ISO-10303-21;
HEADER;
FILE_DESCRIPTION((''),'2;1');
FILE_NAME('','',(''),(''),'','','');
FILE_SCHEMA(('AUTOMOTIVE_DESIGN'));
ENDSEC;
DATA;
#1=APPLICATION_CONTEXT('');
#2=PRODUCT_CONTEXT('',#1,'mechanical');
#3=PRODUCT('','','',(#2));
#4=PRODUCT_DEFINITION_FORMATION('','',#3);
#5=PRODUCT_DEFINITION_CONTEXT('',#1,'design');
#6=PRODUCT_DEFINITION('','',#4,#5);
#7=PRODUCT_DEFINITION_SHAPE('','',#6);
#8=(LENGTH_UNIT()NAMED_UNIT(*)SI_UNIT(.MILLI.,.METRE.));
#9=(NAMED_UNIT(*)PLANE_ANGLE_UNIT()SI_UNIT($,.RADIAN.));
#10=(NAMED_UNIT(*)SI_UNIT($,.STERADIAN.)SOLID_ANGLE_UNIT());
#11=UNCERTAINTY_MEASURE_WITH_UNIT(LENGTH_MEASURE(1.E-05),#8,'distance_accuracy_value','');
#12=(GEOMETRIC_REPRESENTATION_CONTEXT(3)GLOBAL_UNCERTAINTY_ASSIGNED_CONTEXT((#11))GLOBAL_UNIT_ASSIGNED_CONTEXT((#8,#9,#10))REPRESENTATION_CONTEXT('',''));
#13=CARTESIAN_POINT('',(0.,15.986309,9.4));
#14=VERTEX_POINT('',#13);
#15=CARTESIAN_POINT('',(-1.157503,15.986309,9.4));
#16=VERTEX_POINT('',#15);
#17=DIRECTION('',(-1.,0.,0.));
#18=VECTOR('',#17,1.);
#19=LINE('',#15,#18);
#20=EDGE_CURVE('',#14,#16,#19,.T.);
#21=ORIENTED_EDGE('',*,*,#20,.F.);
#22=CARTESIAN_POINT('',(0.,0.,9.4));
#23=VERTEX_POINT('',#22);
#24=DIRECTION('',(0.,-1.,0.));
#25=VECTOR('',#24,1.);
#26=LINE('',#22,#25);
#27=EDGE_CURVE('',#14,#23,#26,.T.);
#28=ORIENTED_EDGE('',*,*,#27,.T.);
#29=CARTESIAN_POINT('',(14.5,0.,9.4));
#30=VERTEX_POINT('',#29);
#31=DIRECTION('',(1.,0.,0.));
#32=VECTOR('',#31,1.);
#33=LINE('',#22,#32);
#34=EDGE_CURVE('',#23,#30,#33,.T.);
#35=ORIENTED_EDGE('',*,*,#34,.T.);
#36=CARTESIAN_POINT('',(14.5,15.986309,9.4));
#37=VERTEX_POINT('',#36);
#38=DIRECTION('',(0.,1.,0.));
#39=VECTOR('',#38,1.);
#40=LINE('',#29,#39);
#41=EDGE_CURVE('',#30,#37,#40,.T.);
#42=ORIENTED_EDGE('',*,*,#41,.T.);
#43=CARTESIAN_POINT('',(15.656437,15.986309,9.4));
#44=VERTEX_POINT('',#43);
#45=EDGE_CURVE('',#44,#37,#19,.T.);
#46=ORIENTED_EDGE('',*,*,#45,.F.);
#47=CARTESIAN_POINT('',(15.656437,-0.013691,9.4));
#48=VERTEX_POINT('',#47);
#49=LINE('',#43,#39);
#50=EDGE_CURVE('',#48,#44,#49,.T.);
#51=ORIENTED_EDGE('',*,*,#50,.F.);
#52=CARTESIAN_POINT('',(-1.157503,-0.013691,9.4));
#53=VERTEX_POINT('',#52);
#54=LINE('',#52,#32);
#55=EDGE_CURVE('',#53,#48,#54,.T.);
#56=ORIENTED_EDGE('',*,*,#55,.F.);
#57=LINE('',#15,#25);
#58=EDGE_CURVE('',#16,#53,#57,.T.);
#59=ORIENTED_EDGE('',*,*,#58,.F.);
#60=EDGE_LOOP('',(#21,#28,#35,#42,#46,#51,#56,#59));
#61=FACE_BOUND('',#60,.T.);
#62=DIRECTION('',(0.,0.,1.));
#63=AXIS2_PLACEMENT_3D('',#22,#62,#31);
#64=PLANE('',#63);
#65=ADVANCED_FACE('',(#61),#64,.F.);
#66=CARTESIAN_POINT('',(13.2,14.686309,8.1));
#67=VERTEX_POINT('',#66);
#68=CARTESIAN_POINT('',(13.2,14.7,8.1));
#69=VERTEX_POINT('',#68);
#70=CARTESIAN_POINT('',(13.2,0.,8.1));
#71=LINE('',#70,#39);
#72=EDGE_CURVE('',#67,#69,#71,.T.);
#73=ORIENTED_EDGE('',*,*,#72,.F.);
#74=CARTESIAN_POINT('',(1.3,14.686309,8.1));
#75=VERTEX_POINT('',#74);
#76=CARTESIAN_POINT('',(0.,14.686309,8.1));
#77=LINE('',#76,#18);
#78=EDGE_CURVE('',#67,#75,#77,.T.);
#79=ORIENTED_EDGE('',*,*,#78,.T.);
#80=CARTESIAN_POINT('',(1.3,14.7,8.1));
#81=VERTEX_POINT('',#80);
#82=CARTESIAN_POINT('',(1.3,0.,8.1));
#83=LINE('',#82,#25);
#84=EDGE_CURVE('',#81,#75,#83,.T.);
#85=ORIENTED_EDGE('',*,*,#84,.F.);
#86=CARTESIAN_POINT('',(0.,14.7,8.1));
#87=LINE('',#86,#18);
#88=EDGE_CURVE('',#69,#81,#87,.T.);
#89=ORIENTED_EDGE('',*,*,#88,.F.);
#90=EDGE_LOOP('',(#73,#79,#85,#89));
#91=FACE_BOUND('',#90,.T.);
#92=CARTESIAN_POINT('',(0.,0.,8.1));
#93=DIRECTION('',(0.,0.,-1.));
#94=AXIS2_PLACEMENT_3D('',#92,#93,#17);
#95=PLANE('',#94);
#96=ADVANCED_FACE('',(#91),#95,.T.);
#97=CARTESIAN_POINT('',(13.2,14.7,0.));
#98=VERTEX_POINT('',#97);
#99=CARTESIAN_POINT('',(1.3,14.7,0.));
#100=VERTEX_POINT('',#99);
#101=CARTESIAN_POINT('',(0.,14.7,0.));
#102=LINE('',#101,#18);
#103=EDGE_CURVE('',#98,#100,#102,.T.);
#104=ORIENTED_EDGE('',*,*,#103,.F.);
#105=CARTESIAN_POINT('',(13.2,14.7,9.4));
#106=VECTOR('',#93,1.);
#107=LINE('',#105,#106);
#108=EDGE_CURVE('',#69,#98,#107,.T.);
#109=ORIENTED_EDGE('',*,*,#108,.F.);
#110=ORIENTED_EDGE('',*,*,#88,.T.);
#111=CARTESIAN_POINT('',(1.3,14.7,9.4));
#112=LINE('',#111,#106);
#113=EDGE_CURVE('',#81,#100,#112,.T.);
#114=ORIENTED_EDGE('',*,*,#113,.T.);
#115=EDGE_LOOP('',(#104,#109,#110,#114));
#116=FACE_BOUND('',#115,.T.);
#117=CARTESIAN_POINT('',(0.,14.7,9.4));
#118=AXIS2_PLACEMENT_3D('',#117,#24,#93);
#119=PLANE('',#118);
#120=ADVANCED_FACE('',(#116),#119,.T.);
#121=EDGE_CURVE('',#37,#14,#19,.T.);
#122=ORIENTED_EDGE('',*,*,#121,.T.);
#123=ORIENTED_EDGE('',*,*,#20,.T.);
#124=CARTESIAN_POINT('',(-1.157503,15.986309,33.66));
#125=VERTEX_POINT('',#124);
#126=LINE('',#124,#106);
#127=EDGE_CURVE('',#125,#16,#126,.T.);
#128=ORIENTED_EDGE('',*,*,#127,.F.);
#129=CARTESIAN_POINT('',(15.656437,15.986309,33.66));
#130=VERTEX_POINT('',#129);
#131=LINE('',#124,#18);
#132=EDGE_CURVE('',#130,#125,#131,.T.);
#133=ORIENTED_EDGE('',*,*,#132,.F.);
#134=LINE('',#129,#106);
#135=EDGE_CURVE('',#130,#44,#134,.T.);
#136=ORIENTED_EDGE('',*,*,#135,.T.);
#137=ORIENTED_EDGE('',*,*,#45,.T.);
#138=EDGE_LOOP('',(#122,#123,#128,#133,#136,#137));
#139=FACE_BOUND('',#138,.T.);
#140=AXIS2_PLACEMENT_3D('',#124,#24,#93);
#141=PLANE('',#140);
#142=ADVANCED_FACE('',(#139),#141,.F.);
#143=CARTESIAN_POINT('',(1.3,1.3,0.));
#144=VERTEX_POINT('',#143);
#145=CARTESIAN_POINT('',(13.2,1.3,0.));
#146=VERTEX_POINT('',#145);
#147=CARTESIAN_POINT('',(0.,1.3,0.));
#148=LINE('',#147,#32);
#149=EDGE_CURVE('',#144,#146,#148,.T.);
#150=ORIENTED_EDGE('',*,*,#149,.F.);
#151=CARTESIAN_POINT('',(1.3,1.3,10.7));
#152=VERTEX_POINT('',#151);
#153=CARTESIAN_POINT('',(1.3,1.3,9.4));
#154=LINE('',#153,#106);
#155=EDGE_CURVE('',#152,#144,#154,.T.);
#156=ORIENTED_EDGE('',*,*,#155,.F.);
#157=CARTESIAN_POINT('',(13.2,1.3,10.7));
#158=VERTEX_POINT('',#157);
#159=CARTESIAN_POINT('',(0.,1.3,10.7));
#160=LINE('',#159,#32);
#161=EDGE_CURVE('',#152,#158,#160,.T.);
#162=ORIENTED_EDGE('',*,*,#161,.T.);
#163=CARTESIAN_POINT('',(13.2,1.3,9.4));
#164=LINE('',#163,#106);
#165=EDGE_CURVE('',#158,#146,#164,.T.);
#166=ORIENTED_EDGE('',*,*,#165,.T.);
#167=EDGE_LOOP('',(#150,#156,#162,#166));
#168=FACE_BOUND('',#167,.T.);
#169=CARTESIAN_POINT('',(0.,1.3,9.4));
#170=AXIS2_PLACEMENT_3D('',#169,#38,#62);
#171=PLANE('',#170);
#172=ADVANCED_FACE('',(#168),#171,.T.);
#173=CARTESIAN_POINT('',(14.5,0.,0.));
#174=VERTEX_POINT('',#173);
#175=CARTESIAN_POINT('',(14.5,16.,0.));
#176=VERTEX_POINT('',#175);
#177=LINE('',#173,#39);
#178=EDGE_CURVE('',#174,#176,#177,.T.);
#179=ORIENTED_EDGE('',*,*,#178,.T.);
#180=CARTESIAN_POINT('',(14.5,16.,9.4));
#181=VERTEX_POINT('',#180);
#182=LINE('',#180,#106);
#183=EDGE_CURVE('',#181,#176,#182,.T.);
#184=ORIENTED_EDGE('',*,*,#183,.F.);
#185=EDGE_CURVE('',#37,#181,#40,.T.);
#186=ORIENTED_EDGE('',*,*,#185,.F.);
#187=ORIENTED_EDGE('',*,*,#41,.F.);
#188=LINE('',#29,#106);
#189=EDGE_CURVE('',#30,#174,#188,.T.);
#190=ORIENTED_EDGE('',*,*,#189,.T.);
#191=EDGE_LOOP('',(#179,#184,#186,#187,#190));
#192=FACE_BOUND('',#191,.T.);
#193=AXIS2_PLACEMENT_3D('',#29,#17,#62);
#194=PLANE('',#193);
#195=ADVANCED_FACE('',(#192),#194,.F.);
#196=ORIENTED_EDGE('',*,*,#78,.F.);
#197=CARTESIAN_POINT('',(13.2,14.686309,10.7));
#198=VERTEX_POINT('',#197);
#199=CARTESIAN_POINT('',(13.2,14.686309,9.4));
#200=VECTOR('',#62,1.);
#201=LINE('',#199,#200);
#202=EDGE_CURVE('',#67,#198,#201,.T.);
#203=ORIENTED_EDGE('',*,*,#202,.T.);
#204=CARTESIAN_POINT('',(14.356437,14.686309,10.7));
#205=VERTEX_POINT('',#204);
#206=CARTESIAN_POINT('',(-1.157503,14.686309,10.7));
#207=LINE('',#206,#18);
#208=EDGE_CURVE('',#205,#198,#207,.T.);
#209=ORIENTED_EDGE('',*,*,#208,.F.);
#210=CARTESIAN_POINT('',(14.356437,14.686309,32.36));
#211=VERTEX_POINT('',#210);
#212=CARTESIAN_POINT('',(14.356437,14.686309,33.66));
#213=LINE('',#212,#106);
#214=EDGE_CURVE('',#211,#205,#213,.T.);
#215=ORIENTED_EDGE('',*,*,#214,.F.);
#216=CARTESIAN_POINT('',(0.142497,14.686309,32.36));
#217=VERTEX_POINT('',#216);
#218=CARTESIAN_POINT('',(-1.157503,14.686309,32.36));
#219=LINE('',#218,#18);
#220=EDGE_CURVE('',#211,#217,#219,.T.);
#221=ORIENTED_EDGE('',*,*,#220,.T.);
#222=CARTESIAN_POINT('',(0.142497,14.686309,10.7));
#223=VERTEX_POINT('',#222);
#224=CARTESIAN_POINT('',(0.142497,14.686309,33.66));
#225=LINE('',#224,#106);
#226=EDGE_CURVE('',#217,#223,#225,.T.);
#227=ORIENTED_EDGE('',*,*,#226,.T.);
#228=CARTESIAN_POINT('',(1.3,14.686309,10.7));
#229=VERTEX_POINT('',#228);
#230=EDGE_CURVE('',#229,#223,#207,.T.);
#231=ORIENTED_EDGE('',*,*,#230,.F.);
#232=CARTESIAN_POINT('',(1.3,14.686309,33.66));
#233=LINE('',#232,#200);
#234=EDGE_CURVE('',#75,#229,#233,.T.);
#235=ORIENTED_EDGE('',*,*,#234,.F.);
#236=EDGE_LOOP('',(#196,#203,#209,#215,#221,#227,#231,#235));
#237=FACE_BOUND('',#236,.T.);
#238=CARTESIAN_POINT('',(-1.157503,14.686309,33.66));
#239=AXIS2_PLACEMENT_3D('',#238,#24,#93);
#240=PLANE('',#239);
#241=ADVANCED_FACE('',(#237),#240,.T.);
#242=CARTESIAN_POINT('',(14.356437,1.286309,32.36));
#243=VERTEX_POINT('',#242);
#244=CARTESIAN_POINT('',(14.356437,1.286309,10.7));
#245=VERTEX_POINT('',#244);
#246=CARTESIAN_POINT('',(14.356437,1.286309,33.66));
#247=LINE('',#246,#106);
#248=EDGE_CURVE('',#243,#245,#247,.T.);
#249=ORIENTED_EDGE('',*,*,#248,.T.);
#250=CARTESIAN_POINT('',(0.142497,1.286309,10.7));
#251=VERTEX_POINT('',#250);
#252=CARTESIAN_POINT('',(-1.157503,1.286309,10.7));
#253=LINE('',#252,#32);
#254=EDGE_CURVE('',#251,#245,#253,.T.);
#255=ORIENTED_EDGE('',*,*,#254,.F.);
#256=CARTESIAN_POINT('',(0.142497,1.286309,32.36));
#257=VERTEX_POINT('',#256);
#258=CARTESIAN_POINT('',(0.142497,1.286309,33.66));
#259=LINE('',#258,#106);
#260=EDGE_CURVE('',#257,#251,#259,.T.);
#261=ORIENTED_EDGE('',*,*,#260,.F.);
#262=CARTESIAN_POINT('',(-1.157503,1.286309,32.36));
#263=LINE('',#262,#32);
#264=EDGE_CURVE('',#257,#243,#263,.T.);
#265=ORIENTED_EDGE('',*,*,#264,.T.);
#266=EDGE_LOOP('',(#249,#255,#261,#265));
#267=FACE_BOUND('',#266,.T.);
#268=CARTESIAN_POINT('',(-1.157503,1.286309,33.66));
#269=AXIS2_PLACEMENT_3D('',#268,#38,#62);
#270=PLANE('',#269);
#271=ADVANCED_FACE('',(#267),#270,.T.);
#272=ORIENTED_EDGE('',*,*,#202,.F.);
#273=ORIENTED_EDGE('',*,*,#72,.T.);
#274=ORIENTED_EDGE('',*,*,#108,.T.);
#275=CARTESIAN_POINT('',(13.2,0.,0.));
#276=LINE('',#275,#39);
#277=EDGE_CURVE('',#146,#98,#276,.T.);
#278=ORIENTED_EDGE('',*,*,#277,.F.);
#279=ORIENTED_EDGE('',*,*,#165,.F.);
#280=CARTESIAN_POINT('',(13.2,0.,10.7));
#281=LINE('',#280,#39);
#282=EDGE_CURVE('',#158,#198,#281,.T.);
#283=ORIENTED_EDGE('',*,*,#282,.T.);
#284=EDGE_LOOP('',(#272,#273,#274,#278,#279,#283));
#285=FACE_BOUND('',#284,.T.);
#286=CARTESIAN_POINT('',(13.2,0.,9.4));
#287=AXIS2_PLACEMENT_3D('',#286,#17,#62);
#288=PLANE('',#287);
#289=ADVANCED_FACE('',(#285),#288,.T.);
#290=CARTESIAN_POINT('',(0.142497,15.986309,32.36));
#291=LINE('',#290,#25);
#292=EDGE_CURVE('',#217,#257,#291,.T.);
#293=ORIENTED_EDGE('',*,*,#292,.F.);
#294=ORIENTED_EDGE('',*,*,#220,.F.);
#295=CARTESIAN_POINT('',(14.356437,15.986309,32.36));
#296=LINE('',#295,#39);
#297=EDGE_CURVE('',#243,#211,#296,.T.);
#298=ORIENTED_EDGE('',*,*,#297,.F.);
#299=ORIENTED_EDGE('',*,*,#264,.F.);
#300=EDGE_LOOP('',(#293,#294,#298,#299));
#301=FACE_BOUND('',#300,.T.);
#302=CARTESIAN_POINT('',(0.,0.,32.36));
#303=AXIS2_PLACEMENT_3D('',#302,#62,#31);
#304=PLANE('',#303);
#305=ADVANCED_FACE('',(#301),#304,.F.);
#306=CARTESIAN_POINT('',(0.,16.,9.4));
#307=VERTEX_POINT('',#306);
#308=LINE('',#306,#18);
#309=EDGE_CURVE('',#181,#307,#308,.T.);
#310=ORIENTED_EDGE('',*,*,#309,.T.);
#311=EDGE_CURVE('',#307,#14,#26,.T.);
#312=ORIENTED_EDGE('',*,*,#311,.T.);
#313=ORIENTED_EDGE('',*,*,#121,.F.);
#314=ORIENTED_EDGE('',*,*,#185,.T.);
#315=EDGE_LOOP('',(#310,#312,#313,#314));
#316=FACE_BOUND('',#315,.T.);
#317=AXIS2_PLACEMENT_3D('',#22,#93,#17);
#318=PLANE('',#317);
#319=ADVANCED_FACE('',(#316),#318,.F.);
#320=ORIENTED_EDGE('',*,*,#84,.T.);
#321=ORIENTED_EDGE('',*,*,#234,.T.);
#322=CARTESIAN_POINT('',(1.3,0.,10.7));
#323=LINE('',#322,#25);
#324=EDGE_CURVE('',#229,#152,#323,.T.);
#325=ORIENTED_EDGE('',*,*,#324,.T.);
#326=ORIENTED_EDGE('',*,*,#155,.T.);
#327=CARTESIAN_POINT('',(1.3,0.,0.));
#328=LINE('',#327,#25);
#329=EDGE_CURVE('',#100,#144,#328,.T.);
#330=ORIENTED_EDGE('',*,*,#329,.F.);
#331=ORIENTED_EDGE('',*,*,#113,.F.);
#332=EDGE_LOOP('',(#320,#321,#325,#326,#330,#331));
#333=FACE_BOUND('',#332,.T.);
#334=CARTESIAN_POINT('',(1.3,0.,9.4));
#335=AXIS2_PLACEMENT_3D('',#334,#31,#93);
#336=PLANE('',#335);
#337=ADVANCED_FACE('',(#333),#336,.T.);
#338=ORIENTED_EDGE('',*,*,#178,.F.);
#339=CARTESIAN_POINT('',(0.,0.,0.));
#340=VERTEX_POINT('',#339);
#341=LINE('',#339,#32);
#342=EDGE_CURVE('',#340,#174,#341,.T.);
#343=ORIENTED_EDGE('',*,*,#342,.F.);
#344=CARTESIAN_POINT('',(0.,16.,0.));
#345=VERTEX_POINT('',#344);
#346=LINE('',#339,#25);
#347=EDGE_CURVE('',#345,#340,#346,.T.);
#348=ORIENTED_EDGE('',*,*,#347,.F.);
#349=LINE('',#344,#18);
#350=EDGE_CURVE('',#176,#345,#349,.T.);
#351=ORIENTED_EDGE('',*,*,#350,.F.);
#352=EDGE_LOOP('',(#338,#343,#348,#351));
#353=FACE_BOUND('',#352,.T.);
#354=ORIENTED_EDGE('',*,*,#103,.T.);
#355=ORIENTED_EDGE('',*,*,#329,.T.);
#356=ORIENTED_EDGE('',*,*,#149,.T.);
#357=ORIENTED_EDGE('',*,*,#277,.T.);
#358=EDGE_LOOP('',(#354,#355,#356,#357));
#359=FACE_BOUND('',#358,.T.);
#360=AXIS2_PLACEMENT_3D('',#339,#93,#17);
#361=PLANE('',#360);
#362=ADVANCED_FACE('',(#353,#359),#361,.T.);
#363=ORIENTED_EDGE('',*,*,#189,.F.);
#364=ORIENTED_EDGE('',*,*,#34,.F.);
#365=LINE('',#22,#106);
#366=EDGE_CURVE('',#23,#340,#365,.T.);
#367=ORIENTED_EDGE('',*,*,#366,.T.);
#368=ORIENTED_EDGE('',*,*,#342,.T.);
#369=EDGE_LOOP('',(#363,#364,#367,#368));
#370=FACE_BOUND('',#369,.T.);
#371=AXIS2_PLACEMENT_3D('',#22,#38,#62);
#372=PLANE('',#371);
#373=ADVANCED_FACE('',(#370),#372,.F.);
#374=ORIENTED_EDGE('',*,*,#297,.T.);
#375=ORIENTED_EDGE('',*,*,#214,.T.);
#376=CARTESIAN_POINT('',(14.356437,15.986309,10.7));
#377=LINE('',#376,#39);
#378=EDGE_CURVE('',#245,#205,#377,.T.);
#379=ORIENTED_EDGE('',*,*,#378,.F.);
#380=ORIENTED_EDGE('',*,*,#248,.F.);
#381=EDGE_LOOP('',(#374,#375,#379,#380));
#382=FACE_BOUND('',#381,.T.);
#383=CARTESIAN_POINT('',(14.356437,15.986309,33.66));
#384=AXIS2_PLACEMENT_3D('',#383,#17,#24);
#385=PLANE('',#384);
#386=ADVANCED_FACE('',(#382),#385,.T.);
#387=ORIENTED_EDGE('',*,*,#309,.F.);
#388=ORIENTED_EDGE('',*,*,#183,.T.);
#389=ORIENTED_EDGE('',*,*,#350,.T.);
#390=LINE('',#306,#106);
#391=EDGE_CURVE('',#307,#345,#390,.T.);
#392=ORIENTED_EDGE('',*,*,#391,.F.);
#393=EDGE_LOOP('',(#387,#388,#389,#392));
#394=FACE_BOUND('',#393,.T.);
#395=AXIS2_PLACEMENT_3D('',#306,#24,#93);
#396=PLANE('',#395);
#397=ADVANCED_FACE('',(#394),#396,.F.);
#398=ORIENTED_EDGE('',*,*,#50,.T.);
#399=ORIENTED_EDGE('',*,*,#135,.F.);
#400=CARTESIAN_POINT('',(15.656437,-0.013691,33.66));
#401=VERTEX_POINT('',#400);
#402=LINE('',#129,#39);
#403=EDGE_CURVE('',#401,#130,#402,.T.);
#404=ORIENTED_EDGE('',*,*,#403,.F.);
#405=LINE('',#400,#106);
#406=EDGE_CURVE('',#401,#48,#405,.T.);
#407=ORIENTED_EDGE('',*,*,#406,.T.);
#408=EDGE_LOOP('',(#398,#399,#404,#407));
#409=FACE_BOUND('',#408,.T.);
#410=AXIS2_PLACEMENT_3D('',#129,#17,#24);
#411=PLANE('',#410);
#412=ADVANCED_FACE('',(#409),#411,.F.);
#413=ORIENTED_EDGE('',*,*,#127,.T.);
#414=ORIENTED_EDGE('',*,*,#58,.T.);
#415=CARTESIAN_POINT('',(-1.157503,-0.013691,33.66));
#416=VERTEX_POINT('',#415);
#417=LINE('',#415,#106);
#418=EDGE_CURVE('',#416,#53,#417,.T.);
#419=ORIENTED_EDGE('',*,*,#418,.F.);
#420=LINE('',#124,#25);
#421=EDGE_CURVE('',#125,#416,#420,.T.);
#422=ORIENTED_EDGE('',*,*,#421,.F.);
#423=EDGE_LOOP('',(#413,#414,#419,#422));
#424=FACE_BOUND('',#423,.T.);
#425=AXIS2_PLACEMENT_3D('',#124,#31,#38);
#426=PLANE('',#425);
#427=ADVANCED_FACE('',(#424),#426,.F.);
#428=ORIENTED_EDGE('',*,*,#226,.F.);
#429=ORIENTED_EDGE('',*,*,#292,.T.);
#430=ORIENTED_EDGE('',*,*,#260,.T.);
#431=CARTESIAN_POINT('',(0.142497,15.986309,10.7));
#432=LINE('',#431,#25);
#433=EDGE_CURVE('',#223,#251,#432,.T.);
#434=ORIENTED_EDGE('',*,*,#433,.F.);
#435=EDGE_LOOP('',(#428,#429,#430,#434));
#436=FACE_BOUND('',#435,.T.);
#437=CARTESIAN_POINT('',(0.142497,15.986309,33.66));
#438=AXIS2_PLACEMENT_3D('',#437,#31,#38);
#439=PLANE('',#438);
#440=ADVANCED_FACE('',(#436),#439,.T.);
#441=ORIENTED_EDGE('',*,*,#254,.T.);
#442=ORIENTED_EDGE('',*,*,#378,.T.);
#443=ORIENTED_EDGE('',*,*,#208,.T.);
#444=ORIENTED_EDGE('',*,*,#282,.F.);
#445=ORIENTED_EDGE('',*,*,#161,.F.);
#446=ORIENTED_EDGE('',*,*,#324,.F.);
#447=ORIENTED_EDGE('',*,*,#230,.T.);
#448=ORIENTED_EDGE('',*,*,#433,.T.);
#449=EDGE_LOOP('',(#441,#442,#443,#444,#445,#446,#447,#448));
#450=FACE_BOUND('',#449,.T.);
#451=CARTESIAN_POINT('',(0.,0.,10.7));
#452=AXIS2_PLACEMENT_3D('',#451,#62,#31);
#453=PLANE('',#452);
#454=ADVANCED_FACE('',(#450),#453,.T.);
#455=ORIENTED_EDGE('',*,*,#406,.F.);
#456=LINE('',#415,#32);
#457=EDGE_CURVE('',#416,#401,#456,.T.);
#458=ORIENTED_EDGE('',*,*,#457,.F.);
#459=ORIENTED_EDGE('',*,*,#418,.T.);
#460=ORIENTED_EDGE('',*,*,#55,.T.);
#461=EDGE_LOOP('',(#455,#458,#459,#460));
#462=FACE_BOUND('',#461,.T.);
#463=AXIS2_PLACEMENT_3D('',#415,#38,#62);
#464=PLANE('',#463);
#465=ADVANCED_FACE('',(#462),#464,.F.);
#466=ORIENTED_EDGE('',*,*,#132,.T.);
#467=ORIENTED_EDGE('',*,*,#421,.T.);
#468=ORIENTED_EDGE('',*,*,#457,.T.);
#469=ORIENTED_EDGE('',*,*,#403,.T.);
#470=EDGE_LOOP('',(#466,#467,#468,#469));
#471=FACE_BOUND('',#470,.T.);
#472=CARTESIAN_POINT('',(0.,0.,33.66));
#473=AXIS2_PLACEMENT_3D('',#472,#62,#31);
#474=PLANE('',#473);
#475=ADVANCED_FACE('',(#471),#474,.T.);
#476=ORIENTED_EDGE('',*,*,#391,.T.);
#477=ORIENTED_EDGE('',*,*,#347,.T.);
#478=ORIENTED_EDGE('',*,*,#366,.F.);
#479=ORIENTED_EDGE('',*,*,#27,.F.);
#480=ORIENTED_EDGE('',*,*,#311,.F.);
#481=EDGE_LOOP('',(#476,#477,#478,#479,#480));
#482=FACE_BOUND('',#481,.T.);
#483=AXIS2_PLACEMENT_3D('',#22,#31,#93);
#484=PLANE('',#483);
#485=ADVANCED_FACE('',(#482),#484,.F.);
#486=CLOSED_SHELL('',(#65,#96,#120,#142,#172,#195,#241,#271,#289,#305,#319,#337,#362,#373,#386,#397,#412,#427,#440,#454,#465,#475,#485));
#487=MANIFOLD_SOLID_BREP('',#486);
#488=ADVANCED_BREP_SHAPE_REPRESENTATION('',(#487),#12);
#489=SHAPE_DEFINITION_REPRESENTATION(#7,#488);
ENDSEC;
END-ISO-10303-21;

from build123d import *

# Parameters (mm, degrees)
SKETCH1_W           = 14.5
SKETCH1_H           = 16
BOSS_EXTRUDE1_DEPTH = 9.4
SKETCH4_W           = 16.813940165
SKETCH4_H           = 16
BOSS_EXTRUDE3_DEPTH = 24.26
SHELL1_T            = -1.3


with BuildPart() as part:
    # Sketch1 → Boss-Extrude1 (new body)
    with BuildSketch(Plane.XY):
        with Locations((7.25, 8)):
            Rectangle(SKETCH1_W, SKETCH1_H)
    extrude(amount=BOSS_EXTRUDE1_DEPTH)

    # Sketch4 → Boss-Extrude3 (add)
    with BuildSketch(Plane.XY.offset(9.4)):
        with Locations((7.249467392, 7.986309029)):
            Rectangle(SKETCH4_W, SKETCH4_H)
    extrude(amount=BOSS_EXTRUDE3_DEPTH)

    # Shell1
    shell1_openings = [part.faces().sort_by_distance(p)[0] for p in [
        (7.25, 8, 0),
    ]]
    offset(amount=SHELL1_T, openings=shell1_openings, kind=Kind.INTERSECTION)


solid = part.part
